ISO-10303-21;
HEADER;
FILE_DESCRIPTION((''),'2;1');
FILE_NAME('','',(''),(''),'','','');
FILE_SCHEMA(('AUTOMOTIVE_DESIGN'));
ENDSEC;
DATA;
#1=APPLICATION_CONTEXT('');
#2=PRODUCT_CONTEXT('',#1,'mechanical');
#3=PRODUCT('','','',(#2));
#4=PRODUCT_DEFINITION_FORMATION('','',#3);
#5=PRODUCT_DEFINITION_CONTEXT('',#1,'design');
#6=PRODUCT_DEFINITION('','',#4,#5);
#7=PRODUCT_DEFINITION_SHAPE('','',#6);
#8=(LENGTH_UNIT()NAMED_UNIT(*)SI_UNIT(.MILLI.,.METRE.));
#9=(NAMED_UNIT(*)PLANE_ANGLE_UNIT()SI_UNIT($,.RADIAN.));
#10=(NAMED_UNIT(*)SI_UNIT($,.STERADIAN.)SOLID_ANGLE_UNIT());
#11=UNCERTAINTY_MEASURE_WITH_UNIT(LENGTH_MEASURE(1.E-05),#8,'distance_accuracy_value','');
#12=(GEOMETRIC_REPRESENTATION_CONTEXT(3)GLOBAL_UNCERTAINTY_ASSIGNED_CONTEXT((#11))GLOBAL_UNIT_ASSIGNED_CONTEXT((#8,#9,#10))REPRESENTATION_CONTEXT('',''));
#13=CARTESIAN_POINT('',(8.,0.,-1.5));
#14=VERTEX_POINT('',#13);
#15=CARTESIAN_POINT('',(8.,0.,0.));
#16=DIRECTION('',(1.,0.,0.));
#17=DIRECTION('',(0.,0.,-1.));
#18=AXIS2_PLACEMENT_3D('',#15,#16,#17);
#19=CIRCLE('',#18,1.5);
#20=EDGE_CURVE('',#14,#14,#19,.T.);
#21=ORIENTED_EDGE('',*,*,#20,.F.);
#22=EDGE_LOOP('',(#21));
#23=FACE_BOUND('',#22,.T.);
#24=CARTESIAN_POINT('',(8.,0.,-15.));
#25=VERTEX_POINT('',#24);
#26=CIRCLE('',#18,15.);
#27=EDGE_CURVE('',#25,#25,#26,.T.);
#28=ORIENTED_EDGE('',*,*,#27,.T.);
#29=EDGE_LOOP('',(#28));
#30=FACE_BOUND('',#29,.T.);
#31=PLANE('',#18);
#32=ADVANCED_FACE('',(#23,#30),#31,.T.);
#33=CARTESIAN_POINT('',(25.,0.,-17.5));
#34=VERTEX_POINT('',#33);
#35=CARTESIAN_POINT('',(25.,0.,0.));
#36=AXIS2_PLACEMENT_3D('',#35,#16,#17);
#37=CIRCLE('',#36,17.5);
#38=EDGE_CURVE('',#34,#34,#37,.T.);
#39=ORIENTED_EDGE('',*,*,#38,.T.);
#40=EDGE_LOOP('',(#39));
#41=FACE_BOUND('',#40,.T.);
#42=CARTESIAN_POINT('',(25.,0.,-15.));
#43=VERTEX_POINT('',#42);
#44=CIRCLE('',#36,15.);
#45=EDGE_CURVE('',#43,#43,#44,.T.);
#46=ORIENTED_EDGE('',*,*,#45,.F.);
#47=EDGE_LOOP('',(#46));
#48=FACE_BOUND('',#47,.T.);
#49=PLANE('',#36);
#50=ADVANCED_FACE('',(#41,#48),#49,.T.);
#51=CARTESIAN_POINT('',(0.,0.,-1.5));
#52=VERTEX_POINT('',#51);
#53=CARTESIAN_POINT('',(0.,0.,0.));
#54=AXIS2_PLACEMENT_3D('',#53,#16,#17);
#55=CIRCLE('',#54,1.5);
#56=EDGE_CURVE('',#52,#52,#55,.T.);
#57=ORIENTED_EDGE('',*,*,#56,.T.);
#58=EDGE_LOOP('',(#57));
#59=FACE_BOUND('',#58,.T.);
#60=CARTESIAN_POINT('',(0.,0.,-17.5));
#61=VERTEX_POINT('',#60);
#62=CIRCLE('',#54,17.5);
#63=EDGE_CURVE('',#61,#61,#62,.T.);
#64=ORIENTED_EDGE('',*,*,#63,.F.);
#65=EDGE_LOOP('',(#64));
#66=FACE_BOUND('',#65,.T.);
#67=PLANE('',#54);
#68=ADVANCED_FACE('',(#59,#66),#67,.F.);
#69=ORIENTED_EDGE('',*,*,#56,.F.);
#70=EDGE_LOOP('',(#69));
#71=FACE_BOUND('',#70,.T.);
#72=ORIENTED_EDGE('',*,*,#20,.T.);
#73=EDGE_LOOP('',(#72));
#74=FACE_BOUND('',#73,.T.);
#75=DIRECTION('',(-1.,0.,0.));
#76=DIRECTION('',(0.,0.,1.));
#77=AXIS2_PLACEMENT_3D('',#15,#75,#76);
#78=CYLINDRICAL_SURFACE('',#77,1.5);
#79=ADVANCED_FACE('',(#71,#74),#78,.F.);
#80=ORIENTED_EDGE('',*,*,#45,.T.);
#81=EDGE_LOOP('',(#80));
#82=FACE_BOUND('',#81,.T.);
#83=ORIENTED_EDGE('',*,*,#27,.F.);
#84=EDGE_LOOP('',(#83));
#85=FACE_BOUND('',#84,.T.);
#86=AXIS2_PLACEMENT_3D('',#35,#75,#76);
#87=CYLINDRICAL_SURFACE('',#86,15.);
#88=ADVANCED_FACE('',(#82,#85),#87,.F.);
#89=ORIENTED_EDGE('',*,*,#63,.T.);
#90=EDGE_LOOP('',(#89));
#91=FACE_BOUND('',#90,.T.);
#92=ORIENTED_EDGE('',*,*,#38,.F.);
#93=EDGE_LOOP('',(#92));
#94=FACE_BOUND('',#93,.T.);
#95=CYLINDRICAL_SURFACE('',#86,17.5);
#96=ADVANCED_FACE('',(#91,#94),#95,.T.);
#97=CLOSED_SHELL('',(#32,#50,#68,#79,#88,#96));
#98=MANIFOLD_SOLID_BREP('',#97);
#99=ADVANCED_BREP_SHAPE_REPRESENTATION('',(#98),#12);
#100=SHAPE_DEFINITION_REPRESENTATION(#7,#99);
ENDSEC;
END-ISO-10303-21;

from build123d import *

# Parameters (mm, degrees)
SKETCH1_R           = 17.5
SKETCH1_R_2         = 15
BOSS_EXTRUDE1_DEPTH = 25
SKETCH1_3_R         = 15
SKETCH1_3_R_2       = 1.5
BOSS_EXTRUDE2_DEPTH = 8


with BuildPart() as part:
    # Sketch1 → Boss-Extrude1 (new body)
    with BuildSketch(Plane(origin=(0, 0, 0), x_dir=(0, 0, -1), z_dir=(1, 0, 0))):
        Circle(SKETCH1_R)
        Circle(SKETCH1_R_2, mode=Mode.SUBTRACT)
    extrude(amount=BOSS_EXTRUDE1_DEPTH)

    # Sketch1<3> → Boss-Extrude2 (add)
    with BuildSketch(Plane(origin=(0, 0, 0), x_dir=(0, 0, -1), z_dir=(1, 0, 0))):
        Circle(SKETCH1_3_R)
        Circle(SKETCH1_3_R_2, mode=Mode.SUBTRACT)
    extrude(amount=BOSS_EXTRUDE2_DEPTH)


solid = part.part
